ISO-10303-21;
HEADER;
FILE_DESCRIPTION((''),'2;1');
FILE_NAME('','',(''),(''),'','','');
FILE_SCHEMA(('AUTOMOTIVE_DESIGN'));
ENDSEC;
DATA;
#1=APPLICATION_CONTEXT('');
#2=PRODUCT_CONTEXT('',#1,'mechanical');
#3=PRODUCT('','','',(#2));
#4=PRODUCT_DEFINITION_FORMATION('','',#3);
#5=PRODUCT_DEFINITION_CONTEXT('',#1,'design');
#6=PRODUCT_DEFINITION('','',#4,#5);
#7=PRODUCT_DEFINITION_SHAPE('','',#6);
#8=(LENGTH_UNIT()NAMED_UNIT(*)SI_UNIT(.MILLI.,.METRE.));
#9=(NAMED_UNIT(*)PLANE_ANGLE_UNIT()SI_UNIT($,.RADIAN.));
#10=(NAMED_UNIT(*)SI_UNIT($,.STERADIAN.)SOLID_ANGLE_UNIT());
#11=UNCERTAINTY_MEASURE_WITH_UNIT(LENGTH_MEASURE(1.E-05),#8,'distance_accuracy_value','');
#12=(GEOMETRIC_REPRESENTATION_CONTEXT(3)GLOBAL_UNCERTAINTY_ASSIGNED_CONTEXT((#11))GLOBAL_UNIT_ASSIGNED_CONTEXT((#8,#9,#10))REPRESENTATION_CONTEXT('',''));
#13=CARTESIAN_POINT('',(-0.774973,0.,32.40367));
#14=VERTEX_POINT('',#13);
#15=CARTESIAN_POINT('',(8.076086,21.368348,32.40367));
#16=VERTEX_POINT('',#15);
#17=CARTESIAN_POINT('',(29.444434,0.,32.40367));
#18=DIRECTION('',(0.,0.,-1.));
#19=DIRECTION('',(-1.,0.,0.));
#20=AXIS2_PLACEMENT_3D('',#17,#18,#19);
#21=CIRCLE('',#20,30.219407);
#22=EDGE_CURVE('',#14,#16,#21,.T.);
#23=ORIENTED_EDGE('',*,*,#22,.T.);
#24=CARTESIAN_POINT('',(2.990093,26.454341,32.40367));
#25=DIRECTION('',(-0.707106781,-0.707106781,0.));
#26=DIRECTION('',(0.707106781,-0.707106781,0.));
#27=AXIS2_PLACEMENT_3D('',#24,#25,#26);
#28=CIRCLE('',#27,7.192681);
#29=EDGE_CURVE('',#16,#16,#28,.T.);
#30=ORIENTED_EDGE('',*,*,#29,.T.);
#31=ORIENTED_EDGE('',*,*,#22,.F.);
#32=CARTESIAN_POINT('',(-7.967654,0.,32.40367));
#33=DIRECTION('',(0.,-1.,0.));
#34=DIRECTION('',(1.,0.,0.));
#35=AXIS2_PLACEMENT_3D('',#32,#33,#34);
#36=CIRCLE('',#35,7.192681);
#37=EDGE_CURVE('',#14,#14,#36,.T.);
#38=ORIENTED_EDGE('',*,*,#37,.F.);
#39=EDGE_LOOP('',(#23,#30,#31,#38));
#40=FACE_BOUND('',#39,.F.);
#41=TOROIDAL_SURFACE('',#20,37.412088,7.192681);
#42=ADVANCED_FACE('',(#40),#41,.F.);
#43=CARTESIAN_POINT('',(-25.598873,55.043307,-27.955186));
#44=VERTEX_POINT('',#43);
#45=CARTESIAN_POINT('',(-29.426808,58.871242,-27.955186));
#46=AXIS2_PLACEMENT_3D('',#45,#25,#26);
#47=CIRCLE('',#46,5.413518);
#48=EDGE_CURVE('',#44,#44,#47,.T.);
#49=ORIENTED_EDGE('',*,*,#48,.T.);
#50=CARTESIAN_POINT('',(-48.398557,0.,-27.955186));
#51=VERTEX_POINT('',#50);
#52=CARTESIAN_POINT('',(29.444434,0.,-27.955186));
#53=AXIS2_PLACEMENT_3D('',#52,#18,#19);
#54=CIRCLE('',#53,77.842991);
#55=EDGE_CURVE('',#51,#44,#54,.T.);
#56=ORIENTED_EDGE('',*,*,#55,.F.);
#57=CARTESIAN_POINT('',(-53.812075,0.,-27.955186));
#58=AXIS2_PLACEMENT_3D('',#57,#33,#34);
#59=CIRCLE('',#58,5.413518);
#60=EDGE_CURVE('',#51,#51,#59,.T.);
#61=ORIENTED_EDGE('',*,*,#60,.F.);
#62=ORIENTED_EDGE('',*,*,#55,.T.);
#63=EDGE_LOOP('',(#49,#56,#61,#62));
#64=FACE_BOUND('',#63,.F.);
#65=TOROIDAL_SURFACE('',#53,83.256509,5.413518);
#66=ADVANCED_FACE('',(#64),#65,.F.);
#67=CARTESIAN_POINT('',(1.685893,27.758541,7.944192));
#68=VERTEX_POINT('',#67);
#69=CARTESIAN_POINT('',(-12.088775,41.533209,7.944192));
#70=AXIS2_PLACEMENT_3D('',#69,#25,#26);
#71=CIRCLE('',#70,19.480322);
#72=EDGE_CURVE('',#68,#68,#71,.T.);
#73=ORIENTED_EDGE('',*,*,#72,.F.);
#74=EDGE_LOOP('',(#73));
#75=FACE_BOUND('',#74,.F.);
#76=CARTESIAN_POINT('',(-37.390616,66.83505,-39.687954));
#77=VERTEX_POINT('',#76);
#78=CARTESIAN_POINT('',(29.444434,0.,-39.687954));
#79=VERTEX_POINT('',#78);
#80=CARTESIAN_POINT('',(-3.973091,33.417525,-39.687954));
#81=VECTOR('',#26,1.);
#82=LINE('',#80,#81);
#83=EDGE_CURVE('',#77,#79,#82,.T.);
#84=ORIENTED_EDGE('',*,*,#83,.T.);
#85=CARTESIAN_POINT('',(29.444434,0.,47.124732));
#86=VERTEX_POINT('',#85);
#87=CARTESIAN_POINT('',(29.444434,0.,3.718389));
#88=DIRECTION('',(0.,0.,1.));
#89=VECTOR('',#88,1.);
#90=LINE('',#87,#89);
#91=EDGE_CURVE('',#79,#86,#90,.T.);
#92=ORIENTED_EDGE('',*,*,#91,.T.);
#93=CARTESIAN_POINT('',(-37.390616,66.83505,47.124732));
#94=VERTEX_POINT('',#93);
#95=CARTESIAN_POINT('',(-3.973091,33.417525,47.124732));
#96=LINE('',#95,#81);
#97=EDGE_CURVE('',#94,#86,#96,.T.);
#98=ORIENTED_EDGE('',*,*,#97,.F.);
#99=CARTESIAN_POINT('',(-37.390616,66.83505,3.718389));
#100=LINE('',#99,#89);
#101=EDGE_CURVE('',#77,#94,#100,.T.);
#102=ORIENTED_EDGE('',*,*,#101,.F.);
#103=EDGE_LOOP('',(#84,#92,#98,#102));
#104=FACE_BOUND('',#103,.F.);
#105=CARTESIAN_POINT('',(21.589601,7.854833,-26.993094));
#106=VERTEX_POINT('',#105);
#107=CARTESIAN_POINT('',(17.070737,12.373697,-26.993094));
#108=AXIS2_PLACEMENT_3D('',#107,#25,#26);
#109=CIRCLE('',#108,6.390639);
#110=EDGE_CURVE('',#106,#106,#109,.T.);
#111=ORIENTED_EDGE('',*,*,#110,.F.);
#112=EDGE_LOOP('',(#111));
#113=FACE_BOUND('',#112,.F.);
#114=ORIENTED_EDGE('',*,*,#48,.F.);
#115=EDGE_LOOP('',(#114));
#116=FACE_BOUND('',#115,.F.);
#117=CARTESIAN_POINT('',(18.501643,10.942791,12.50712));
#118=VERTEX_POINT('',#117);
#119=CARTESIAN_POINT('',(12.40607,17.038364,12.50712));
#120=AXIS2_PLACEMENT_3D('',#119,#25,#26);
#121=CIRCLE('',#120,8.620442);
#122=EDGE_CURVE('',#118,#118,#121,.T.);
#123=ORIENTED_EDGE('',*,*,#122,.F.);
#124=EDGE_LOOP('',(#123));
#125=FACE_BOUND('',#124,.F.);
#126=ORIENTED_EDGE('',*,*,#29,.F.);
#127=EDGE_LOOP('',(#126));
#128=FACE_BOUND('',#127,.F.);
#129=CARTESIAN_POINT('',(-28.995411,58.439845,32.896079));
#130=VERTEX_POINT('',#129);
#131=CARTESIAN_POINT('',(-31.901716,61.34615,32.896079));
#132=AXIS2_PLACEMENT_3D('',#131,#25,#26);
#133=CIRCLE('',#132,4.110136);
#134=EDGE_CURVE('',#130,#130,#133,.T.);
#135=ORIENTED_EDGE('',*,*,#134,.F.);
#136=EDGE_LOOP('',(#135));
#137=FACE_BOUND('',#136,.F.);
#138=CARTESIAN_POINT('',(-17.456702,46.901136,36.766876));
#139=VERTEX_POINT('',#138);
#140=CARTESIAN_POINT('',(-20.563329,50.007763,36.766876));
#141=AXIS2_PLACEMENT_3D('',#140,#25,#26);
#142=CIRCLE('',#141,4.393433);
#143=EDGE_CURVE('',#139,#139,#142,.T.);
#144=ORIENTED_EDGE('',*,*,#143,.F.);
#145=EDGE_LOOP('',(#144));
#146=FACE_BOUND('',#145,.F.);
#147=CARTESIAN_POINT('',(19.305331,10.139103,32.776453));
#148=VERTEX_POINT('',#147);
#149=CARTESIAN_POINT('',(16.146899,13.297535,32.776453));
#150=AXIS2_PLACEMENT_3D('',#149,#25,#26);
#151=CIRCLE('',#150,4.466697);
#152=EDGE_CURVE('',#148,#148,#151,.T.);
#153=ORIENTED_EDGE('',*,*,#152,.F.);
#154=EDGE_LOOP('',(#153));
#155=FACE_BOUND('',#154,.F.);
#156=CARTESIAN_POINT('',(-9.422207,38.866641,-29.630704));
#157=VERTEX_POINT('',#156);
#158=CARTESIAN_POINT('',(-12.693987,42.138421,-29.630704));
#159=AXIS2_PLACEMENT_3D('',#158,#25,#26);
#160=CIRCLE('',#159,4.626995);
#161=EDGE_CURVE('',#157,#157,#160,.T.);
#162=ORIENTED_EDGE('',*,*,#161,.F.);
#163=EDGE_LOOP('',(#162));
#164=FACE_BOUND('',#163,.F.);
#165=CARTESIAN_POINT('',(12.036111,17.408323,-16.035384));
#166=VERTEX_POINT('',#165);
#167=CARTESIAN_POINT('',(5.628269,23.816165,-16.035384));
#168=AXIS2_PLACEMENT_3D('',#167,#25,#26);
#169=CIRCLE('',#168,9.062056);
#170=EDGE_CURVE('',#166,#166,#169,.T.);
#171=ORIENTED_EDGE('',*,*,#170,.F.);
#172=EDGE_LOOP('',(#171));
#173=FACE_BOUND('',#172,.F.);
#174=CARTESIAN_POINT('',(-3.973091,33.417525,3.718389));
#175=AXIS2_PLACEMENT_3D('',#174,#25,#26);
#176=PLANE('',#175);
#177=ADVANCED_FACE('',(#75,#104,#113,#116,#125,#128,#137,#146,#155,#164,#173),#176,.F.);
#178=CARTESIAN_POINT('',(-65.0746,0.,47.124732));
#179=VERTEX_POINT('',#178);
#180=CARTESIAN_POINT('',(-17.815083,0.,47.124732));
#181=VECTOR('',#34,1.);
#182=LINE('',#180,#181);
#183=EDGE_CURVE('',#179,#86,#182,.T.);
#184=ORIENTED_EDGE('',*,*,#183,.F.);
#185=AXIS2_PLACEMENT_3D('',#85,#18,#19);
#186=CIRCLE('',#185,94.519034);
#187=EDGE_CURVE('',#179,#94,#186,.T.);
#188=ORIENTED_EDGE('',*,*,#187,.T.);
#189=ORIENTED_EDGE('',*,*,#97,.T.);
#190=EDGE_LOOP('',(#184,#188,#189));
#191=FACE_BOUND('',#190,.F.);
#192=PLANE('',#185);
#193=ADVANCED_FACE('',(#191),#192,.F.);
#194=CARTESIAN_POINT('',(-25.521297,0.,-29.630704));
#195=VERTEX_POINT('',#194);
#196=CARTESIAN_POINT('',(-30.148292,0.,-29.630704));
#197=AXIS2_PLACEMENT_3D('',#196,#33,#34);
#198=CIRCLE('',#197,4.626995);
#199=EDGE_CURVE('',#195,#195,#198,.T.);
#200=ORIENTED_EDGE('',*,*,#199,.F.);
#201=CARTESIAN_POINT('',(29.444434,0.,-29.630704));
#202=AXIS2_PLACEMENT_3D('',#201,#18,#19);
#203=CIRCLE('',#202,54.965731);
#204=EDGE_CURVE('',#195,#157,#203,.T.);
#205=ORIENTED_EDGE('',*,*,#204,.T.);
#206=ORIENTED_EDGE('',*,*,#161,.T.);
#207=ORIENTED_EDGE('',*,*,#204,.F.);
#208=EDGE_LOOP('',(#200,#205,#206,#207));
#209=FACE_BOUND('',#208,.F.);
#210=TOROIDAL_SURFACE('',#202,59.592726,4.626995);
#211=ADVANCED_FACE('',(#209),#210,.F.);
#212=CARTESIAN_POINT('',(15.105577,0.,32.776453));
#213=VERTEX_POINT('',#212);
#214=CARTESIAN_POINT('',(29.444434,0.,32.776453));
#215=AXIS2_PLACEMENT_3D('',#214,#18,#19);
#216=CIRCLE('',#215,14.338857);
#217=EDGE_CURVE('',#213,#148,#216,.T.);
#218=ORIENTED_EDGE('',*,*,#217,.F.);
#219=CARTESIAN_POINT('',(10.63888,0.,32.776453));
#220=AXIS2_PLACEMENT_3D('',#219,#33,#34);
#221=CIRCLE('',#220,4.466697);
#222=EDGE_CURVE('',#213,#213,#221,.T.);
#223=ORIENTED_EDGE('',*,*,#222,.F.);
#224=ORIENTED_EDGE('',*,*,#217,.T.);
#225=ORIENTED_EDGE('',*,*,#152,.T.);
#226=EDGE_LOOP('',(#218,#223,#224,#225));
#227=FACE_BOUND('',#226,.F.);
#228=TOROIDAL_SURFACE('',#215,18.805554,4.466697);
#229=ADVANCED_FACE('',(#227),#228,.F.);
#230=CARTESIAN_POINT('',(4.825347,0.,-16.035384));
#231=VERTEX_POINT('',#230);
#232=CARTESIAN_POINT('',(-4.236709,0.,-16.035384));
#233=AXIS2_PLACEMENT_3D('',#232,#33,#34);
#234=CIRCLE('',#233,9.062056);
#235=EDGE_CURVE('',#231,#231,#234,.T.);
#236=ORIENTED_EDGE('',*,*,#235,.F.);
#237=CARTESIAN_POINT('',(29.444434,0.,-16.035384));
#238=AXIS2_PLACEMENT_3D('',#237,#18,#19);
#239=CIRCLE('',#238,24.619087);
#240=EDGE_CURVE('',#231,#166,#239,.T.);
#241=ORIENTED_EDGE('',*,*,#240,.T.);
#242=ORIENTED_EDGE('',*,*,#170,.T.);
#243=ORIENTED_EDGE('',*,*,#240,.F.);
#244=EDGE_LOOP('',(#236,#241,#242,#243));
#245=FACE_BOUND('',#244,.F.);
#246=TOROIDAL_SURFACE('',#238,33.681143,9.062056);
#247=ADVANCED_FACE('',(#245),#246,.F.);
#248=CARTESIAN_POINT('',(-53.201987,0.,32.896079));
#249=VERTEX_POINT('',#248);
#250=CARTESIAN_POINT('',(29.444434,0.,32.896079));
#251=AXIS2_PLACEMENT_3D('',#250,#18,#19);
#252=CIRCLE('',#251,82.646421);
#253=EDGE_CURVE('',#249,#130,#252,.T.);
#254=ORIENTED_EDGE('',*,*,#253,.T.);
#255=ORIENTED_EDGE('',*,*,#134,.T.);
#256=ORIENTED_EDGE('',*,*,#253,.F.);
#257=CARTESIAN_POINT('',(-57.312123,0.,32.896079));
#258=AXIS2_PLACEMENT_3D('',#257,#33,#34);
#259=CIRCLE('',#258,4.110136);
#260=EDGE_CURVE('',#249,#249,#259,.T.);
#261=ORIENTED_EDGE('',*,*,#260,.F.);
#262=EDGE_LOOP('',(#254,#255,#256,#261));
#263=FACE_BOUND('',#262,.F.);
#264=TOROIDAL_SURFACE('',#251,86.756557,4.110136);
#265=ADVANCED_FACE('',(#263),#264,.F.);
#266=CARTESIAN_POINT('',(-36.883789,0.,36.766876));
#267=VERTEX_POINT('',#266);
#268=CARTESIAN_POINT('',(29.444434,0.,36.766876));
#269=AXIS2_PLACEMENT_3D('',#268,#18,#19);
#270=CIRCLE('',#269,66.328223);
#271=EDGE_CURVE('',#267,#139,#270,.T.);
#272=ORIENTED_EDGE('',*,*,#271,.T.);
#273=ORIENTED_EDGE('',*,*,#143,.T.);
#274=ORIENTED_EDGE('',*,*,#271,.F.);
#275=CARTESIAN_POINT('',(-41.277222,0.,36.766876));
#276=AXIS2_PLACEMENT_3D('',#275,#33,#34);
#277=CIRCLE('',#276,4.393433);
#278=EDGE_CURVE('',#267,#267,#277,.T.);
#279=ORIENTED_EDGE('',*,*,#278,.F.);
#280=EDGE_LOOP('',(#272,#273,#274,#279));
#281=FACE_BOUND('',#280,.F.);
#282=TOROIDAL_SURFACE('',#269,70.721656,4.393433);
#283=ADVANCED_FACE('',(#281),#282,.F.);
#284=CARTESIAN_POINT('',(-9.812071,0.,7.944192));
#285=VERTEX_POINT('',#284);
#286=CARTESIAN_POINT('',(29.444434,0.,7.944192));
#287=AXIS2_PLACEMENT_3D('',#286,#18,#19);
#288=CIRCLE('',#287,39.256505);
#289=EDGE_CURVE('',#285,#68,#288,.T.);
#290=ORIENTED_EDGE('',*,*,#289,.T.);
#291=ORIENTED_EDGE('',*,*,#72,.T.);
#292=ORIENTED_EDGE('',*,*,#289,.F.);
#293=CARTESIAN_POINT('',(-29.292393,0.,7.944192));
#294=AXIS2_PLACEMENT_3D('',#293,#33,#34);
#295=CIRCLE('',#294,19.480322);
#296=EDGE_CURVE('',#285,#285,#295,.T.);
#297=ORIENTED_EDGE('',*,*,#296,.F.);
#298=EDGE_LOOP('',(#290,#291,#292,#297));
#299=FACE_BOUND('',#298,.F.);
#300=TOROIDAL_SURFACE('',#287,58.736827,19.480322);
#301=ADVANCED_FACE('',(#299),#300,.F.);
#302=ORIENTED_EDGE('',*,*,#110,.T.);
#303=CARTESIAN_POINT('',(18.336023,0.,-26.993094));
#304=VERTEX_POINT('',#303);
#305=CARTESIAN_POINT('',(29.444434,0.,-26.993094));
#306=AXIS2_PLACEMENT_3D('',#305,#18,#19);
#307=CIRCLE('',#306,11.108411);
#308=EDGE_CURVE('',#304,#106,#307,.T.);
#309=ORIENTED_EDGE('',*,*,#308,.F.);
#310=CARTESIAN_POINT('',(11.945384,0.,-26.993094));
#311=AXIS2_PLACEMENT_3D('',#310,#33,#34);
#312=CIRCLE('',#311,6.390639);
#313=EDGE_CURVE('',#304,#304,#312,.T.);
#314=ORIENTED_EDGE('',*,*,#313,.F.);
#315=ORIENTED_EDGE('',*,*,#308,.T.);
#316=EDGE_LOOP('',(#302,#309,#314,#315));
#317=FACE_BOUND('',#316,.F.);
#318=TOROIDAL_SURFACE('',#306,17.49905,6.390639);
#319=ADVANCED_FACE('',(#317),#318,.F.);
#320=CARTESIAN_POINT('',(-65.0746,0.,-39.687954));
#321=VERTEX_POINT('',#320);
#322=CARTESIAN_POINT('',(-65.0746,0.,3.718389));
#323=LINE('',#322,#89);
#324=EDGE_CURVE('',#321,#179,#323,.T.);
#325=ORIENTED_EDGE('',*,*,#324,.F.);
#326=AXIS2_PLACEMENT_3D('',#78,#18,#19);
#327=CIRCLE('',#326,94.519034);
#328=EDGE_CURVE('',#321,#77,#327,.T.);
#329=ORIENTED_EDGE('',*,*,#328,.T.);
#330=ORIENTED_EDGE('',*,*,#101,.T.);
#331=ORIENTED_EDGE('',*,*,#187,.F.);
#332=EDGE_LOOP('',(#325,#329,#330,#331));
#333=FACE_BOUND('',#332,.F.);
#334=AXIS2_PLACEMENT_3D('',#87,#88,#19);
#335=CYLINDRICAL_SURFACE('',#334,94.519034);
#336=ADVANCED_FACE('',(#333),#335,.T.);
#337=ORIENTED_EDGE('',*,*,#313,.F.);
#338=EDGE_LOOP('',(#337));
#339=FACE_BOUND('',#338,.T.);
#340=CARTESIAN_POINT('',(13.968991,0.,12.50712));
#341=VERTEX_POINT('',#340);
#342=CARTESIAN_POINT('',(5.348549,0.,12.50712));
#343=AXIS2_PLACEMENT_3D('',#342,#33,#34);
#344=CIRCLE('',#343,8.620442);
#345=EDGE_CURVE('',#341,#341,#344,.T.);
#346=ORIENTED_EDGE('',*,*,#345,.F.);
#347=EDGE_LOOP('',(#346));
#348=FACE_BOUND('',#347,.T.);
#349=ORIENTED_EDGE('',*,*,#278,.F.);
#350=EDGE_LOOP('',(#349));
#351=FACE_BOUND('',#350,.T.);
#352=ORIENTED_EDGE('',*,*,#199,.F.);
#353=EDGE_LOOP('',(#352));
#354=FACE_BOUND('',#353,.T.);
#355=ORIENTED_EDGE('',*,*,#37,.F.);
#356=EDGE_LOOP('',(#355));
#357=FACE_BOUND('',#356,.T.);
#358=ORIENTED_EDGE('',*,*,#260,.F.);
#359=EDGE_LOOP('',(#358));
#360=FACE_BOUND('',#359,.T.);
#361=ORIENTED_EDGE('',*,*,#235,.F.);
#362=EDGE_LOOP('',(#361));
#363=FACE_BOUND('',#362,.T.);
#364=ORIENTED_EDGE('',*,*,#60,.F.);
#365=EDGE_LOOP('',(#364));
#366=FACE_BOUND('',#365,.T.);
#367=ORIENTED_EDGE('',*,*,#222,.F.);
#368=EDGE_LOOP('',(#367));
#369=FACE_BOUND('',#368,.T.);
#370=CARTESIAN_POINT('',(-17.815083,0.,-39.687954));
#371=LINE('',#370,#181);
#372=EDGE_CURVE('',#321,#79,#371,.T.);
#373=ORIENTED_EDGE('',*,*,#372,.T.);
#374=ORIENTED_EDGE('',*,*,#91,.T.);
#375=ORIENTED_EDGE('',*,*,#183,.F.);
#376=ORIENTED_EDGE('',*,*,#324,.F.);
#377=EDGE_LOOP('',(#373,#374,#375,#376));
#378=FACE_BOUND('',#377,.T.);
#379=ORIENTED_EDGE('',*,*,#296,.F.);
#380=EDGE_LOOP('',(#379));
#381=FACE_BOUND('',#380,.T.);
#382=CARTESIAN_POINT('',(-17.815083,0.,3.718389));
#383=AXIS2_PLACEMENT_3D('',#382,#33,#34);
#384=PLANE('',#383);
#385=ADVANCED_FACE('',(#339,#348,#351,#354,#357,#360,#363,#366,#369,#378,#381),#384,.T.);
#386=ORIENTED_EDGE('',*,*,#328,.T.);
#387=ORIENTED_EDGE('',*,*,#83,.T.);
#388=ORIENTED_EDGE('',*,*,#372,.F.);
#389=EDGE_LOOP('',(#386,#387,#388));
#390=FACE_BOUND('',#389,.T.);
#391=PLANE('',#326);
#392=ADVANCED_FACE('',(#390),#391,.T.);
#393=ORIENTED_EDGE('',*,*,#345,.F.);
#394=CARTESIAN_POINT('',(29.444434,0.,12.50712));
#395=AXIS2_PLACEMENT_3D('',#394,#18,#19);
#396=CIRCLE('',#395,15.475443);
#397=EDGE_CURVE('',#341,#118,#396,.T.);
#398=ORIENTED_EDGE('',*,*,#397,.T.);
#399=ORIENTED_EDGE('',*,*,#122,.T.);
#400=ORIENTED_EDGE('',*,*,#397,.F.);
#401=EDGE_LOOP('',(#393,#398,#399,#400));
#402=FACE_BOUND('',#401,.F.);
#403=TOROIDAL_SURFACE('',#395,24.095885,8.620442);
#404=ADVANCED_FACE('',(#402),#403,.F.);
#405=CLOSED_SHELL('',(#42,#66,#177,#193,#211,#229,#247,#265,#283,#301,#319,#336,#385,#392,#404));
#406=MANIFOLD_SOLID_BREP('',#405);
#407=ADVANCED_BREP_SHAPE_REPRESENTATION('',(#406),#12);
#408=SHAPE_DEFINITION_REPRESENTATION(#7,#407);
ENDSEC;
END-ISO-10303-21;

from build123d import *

# Parameters (mm, degrees)
F0_W     = 94.519034
F0_H     = 86.812686
F0_R     = 5.413518
F0_R_2   = 4.626995
F0_R_3   = 6.390639
F0_R_4   = 9.062056
F0_R_5   = 19.480322
F0_R_6   = 4.110136
F0_R_7   = 4.393433
F0_R_8   = 8.620442
F0_R_9   = 7.192681
F0_R_10  = 4.466697
F1_ANGLE = 45


with BuildPart() as f1:
    # F0 (on Front) → F1 (revolve)
    with BuildSketch(Plane.XZ):
        with Locations((-17.815083, 3.718389)):
            Rectangle(F0_W, F0_H)
        with Locations((-53.812075, -27.955186)):
            Circle(F0_R, mode=Mode.SUBTRACT)
        with Locations((-30.148292, -29.630704)):
            Circle(F0_R_2, mode=Mode.SUBTRACT)
        with Locations((11.945384, -26.993094)):
            Circle(F0_R_3, mode=Mode.SUBTRACT)
        with Locations((-4.236709, -16.035384)):
            Circle(F0_R_4, mode=Mode.SUBTRACT)
        with Locations((-29.292393, 7.944192)):
            Circle(F0_R_5, mode=Mode.SUBTRACT)
        with Locations((-57.312123, 32.896079)):
            Circle(F0_R_6, mode=Mode.SUBTRACT)
        with Locations((-41.277222, 36.766876)):
            Circle(F0_R_7, mode=Mode.SUBTRACT)
        with Locations((5.348549, 12.50712)):
            Circle(F0_R_8, mode=Mode.SUBTRACT)
        with Locations((-7.967654, 32.40367)):
            Circle(F0_R_9, mode=Mode.SUBTRACT)
        with Locations((10.63888, 32.776453)):
            Circle(F0_R_10, mode=Mode.SUBTRACT)
    revolve(axis=Axis((29.444434, 0, 3.718389), (0, 0, -1)), revolution_arc=F1_ANGLE)


solid = f1.part
